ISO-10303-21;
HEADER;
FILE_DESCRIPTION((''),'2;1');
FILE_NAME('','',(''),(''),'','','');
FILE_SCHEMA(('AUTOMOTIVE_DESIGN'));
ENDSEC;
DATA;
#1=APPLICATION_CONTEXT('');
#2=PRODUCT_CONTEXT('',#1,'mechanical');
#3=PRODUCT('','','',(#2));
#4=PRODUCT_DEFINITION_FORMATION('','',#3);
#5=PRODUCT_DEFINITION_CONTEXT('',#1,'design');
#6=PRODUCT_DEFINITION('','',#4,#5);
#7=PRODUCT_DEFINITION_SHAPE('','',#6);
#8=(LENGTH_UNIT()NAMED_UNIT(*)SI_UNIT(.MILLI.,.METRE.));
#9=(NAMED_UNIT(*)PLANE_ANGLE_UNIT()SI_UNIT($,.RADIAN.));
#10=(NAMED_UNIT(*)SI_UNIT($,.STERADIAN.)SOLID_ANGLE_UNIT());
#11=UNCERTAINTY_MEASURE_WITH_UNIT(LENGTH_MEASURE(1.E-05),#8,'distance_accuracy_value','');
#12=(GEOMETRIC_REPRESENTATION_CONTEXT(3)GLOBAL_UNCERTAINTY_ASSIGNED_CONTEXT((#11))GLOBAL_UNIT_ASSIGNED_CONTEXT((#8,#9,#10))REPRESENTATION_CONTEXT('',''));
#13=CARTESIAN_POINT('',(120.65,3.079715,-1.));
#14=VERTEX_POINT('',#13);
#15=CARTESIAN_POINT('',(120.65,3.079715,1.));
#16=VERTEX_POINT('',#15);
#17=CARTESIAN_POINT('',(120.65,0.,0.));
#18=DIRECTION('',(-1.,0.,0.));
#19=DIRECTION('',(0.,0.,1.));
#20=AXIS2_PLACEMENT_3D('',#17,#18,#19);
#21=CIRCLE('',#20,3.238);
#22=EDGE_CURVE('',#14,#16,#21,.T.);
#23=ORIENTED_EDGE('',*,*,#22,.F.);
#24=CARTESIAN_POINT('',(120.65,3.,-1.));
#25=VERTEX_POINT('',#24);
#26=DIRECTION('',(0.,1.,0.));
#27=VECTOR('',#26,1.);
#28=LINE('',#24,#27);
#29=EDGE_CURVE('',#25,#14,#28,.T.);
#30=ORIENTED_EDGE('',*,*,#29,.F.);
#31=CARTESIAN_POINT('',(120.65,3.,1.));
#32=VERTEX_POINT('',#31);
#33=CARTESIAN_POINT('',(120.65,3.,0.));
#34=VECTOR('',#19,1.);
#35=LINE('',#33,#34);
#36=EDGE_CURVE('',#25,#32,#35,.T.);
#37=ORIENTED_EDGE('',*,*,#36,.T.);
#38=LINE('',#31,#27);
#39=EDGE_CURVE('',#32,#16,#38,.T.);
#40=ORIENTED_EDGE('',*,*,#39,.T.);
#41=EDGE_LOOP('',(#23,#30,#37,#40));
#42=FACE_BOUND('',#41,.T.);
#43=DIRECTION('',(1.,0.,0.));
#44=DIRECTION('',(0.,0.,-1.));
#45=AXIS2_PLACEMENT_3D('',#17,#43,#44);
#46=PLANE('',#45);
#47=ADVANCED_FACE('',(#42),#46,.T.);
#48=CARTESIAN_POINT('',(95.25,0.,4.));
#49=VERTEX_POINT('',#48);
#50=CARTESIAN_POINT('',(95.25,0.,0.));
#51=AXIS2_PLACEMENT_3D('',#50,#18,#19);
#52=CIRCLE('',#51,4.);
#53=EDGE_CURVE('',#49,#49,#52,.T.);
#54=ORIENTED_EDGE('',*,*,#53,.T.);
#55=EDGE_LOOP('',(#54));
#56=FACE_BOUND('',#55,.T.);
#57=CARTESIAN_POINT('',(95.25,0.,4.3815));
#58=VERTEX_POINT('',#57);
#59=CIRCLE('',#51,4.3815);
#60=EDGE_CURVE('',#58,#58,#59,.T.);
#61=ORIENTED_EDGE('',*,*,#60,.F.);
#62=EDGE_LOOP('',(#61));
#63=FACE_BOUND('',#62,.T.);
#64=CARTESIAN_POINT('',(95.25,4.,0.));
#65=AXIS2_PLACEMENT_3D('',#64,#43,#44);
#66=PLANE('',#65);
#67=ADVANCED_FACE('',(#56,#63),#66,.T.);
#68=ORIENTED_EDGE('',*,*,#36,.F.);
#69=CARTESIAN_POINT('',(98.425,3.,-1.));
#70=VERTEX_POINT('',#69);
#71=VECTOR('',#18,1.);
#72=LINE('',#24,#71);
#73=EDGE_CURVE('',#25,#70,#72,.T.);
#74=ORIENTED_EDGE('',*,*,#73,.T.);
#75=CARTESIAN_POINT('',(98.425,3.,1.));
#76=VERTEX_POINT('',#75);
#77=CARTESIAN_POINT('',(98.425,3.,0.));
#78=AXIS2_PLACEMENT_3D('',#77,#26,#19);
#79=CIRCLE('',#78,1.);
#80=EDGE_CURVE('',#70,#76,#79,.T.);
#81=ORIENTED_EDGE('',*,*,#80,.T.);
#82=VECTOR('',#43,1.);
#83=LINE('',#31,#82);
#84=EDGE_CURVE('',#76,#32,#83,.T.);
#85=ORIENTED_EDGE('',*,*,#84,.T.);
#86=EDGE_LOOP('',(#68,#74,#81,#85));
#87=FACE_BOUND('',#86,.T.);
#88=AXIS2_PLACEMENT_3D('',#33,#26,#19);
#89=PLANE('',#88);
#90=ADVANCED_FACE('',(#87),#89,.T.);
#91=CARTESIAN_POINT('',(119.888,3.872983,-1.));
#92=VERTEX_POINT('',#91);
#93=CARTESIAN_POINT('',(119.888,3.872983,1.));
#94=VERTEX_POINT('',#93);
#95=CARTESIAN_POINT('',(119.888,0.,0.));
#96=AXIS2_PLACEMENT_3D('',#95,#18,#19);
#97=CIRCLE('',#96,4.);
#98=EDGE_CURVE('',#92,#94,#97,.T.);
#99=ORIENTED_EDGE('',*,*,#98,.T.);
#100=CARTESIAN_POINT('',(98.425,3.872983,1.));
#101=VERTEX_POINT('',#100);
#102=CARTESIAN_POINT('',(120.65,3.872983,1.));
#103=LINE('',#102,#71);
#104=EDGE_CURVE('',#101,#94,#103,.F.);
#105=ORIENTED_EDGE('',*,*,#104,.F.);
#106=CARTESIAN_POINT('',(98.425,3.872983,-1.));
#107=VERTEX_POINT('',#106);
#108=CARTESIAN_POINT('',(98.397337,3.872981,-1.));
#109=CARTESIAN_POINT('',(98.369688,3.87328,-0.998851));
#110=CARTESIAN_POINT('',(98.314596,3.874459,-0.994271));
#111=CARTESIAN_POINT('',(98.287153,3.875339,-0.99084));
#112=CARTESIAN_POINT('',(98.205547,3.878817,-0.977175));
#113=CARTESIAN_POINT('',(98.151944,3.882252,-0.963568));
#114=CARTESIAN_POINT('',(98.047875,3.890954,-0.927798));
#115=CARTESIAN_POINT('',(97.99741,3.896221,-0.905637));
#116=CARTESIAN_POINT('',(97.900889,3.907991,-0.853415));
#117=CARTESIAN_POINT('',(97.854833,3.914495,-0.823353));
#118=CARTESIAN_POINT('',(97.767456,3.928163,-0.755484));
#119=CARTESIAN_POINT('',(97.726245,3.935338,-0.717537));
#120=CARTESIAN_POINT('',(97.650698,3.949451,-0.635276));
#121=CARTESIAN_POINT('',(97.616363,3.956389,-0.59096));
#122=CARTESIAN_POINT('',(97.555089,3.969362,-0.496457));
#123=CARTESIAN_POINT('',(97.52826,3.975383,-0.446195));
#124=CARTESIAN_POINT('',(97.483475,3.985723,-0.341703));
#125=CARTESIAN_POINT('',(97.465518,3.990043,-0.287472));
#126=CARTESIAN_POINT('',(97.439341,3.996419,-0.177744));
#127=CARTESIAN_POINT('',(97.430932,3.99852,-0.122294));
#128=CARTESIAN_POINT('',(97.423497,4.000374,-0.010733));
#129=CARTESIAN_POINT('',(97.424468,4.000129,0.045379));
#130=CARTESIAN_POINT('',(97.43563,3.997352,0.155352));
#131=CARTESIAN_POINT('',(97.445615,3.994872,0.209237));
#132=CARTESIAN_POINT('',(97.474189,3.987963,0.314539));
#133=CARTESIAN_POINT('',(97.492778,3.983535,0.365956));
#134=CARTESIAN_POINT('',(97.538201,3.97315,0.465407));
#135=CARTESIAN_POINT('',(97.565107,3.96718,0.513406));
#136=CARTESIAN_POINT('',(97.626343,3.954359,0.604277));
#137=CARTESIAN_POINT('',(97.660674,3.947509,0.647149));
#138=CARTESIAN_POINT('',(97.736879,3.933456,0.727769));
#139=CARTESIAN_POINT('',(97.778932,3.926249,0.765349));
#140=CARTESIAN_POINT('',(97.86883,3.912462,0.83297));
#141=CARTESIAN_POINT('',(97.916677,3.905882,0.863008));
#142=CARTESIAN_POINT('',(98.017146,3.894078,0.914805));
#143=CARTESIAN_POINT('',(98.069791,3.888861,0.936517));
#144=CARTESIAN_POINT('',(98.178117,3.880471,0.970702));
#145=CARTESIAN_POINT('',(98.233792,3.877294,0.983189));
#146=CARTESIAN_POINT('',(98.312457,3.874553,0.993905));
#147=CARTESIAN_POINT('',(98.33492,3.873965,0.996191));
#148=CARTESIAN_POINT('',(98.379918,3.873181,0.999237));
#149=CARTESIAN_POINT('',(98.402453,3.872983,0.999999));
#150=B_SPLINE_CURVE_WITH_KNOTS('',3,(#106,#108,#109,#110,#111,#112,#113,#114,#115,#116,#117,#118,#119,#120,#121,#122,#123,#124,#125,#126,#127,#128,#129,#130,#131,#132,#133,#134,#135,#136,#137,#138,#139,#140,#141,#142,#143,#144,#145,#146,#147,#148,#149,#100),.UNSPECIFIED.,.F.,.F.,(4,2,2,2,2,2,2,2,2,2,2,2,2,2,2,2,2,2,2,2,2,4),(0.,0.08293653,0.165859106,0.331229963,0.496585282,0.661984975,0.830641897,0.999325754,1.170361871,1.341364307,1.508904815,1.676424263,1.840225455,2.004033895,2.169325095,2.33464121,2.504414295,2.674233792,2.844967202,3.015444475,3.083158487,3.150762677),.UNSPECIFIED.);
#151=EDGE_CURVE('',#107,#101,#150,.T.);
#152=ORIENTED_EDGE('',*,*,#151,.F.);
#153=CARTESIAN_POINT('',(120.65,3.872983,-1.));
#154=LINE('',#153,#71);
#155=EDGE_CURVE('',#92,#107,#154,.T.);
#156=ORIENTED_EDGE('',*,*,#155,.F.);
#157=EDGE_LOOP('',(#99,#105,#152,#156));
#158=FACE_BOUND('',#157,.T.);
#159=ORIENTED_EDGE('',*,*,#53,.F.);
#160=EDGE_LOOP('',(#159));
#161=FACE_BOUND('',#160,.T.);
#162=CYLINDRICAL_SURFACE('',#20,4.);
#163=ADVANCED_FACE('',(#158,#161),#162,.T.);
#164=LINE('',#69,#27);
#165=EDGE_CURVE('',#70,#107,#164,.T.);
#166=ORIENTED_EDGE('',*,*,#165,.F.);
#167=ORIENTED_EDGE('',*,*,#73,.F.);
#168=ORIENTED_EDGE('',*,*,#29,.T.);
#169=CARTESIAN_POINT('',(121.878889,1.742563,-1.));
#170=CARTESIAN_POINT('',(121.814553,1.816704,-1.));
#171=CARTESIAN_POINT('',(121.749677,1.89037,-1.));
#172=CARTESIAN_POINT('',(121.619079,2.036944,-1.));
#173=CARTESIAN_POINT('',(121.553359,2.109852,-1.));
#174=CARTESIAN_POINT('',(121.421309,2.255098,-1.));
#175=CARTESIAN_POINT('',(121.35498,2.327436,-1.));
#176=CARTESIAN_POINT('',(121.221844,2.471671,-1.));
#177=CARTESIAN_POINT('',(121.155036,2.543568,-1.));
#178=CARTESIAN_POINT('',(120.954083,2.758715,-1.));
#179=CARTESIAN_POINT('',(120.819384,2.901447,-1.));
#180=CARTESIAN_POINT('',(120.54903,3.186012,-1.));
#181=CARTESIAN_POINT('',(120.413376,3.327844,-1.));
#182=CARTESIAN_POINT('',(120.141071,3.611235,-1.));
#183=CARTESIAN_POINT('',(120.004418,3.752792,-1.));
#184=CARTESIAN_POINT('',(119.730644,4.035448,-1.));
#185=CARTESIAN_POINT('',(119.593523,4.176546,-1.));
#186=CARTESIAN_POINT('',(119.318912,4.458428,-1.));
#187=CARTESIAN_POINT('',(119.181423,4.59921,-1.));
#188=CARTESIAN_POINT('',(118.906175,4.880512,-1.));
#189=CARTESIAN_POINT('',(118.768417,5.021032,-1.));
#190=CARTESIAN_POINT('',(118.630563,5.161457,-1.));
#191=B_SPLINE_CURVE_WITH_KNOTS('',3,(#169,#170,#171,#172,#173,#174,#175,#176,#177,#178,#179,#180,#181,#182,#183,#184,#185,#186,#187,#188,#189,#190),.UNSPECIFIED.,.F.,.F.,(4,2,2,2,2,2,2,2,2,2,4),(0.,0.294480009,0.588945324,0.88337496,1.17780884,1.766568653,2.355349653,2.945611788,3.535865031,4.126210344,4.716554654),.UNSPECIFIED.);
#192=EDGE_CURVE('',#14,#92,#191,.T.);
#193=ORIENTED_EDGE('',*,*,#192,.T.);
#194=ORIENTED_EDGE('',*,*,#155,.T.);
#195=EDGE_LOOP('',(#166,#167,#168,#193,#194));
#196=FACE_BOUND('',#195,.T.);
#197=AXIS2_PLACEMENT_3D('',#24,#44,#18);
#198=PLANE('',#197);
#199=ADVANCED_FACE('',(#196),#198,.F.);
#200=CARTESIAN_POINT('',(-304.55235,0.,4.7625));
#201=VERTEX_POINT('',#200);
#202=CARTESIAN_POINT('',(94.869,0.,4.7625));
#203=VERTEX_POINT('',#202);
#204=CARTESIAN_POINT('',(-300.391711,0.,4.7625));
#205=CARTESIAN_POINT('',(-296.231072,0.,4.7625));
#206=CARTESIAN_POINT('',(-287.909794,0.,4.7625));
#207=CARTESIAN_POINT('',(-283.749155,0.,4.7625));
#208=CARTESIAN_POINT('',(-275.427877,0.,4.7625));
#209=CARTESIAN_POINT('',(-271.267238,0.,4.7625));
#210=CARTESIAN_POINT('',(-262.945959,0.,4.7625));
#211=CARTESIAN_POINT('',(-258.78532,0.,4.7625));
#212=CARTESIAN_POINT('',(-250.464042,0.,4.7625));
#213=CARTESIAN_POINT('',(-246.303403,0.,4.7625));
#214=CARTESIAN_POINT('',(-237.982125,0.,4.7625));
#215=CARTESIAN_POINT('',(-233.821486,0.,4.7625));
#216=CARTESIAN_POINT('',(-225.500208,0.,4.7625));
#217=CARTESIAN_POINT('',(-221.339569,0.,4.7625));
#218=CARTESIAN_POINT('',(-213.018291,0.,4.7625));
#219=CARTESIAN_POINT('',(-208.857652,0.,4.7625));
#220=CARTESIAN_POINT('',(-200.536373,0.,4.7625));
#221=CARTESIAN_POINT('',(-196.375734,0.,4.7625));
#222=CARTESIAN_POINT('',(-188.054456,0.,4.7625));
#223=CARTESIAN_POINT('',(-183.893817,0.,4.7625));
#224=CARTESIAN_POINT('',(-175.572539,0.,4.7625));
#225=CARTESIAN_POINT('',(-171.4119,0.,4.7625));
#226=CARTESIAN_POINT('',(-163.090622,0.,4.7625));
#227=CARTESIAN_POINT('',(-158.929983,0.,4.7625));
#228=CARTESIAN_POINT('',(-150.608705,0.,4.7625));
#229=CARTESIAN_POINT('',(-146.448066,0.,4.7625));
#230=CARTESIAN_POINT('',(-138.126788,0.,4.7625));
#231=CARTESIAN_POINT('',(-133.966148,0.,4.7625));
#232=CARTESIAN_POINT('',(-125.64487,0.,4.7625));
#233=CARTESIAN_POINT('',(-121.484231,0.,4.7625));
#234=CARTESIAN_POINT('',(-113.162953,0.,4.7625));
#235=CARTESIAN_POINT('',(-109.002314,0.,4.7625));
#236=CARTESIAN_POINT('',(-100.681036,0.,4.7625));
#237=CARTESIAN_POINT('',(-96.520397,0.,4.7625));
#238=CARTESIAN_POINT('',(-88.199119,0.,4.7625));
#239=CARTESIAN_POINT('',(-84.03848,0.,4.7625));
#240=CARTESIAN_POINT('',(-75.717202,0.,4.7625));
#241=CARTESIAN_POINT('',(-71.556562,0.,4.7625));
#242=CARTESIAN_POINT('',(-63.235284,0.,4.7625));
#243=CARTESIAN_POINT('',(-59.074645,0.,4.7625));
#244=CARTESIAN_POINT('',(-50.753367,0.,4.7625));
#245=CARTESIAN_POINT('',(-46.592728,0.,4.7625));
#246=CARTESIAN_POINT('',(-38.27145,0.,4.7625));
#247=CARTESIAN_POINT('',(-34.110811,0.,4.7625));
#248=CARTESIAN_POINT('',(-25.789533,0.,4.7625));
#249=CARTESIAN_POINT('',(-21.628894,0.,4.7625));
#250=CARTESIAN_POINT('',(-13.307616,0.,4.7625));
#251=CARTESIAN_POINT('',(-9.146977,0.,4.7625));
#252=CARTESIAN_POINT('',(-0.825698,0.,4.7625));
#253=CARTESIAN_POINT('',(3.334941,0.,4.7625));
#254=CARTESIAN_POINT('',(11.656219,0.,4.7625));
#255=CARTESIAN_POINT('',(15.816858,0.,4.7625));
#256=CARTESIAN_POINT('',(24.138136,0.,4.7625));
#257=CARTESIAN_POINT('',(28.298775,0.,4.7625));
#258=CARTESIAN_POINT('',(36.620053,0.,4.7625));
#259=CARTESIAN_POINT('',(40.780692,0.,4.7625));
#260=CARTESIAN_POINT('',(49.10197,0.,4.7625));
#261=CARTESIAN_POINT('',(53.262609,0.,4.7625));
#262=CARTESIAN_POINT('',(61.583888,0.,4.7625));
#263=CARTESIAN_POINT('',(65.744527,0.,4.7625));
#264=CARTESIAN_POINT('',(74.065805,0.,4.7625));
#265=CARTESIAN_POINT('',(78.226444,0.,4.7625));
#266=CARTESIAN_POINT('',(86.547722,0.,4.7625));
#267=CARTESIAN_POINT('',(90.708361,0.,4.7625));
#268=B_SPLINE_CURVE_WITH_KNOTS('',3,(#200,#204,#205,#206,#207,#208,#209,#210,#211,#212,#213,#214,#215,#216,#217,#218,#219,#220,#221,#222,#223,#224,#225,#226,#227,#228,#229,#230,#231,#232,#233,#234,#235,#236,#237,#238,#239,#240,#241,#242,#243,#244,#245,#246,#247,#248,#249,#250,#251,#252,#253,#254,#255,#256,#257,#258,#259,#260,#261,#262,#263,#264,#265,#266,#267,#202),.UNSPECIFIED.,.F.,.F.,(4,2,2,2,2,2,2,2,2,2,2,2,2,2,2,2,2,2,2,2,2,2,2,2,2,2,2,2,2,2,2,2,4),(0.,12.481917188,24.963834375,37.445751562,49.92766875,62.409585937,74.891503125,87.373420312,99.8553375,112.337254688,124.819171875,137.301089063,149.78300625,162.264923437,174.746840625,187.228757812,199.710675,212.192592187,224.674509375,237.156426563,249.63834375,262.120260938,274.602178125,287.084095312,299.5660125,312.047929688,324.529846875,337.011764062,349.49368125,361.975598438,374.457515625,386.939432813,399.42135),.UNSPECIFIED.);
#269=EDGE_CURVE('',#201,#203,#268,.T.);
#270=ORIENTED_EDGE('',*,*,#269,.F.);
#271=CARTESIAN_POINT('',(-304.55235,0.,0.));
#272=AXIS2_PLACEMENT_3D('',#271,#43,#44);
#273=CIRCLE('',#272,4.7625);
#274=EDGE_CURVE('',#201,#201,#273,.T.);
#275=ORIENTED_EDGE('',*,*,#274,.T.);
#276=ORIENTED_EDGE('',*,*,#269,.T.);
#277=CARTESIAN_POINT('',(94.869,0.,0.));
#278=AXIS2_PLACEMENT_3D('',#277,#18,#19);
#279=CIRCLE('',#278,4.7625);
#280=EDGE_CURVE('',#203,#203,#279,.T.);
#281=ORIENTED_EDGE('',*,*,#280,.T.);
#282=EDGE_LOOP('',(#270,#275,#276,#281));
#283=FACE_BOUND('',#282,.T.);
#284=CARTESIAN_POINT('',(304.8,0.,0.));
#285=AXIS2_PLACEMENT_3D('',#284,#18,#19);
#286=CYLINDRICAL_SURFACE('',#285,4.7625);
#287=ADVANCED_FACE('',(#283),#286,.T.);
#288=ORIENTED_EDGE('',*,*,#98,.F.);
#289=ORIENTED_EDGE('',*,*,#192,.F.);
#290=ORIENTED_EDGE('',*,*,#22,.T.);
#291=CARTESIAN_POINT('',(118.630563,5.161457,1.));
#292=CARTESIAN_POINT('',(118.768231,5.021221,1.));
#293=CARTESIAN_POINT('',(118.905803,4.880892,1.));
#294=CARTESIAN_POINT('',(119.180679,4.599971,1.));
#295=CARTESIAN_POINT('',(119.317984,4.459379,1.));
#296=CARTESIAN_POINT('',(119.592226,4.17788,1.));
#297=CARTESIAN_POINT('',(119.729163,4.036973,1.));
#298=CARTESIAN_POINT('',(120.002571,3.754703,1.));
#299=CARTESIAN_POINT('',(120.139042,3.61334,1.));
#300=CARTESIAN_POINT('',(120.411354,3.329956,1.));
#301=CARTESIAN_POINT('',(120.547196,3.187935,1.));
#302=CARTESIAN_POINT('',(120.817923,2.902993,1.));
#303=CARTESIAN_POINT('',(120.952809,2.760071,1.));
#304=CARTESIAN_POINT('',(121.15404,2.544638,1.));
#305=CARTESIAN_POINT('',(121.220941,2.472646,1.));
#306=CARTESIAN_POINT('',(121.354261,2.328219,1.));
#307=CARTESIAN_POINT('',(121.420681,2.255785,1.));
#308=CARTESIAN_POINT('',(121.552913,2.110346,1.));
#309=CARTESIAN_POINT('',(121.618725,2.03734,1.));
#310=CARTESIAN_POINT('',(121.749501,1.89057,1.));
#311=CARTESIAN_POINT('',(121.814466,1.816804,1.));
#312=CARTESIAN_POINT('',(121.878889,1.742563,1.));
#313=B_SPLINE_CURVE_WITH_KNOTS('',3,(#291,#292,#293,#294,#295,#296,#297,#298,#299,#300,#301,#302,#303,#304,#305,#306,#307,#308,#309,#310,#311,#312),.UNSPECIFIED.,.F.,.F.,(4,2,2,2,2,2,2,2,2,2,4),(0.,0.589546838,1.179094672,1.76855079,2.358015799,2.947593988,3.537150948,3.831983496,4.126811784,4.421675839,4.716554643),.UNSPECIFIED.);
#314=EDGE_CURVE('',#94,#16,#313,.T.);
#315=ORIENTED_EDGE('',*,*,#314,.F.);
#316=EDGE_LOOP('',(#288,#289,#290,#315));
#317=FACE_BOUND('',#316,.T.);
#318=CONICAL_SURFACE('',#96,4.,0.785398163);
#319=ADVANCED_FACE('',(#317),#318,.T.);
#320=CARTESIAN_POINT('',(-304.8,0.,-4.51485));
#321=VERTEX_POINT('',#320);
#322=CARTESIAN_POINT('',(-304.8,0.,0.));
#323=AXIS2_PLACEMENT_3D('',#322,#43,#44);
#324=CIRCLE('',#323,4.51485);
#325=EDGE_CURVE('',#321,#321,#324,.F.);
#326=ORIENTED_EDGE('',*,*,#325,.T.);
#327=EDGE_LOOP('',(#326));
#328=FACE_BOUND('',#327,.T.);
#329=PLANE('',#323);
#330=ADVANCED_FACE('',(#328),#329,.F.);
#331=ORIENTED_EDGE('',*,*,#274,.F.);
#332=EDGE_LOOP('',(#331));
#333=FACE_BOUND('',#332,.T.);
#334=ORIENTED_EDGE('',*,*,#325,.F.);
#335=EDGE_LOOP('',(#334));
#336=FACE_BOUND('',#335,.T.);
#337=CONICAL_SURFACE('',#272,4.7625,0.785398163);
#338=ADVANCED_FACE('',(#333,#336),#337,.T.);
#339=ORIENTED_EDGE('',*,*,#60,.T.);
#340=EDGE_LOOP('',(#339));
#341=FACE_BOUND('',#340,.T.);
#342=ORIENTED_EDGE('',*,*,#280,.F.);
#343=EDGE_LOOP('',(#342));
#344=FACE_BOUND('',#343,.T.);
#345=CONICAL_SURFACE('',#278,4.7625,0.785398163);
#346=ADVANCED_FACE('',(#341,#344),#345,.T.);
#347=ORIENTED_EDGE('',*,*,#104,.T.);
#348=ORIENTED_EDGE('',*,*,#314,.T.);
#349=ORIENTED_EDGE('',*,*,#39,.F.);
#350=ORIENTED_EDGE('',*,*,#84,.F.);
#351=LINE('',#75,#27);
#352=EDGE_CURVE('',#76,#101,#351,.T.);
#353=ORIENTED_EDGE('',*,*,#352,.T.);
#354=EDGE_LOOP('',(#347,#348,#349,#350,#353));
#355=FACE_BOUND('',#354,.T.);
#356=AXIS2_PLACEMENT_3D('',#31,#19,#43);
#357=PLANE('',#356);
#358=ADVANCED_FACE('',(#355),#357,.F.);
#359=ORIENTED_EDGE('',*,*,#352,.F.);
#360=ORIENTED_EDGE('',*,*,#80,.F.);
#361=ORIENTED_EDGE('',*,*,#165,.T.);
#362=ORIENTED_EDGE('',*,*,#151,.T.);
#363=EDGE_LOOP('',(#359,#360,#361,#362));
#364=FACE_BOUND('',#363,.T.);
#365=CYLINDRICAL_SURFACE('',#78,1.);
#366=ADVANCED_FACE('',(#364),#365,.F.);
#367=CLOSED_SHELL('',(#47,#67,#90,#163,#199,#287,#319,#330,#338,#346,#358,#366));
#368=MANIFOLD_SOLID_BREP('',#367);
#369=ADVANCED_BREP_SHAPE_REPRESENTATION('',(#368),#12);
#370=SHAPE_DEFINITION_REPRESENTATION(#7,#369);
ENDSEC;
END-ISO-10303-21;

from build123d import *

# Parameters (mm, degrees)
BOSS_EXTRUDE1_DEPTH      = 304.8
BOSS_EXTRUDE1_DEPTH_BACK = 304.8
SKETCH4_R                = 4.7625
CHAMFER1_SIZE            = 0.24765
CUT_EXTRUDE1_START       = 4
CUT_EXTRUDE1_DEPTH       = 1


with BuildPart() as part:
    # Sketch4 → Boss-Extrude1 (new, two sides: drawn at the far end of the back side and taken through both)
    with BuildSketch(Plane(origin=(0, 0, 0), x_dir=(0, 0, -1), z_dir=(1, 0, 0)).offset(-BOSS_EXTRUDE1_DEPTH_BACK)):
        with Locations(Location((0, 0, 0), (0, 0, 180))):
            Circle(SKETCH4_R)
    extrude(amount=BOSS_EXTRUDE1_DEPTH + BOSS_EXTRUDE1_DEPTH_BACK)

    # Chamfer1
    chamfer1_edges = [part.edges().sort_by_distance(p)[0] for p in [
        (-304.8, 0, -4.7625),
        (304.8, 0, -4.7625),
    ]]
    chamfer(chamfer1_edges, length=CHAMFER1_SIZE)

    # Sketch5 → Cut-Revolve1 (revolve, cut)
    with BuildSketch(Plane.XY, mode=Mode.PRIVATE) as cut_revolve1_sk:
        Polygon((304.8, 0), (120.65, 0), (120.65, 3.238), (119.888, 4), (95.25, 4), (95.25, 4.3815), (94.869, 4.7625), (304.8, 4.7625), align=None)
    revolve(cut_revolve1_sk.sketch.rotate(Axis((120.65, 0, 0), (1, 0, 0)), 90), axis=Axis((120.65, 0, 0), (1, 0, 0)), mode=Mode.SUBTRACT)

    # Sketch6 → Cut-Extrude1 (cut)
    with BuildSketch(Plane(origin=(0, 0, 0), x_dir=(1, 0, 0), z_dir=(0, 1, 0)).offset(CUT_EXTRUDE1_START)):
        with BuildLine():
            Line((120.65, -1), (98.425, -1))
            ThreePointArc((98.425, -1), (97.425, 0), (98.425, 1))
            Line((98.425, 1), (120.65, 1))
            ThreePointArc((120.65, 1), (121.65, 0), (120.65, -1))
        make_face()
    extrude(amount=-CUT_EXTRUDE1_DEPTH, mode=Mode.SUBTRACT)


solid = part.part
